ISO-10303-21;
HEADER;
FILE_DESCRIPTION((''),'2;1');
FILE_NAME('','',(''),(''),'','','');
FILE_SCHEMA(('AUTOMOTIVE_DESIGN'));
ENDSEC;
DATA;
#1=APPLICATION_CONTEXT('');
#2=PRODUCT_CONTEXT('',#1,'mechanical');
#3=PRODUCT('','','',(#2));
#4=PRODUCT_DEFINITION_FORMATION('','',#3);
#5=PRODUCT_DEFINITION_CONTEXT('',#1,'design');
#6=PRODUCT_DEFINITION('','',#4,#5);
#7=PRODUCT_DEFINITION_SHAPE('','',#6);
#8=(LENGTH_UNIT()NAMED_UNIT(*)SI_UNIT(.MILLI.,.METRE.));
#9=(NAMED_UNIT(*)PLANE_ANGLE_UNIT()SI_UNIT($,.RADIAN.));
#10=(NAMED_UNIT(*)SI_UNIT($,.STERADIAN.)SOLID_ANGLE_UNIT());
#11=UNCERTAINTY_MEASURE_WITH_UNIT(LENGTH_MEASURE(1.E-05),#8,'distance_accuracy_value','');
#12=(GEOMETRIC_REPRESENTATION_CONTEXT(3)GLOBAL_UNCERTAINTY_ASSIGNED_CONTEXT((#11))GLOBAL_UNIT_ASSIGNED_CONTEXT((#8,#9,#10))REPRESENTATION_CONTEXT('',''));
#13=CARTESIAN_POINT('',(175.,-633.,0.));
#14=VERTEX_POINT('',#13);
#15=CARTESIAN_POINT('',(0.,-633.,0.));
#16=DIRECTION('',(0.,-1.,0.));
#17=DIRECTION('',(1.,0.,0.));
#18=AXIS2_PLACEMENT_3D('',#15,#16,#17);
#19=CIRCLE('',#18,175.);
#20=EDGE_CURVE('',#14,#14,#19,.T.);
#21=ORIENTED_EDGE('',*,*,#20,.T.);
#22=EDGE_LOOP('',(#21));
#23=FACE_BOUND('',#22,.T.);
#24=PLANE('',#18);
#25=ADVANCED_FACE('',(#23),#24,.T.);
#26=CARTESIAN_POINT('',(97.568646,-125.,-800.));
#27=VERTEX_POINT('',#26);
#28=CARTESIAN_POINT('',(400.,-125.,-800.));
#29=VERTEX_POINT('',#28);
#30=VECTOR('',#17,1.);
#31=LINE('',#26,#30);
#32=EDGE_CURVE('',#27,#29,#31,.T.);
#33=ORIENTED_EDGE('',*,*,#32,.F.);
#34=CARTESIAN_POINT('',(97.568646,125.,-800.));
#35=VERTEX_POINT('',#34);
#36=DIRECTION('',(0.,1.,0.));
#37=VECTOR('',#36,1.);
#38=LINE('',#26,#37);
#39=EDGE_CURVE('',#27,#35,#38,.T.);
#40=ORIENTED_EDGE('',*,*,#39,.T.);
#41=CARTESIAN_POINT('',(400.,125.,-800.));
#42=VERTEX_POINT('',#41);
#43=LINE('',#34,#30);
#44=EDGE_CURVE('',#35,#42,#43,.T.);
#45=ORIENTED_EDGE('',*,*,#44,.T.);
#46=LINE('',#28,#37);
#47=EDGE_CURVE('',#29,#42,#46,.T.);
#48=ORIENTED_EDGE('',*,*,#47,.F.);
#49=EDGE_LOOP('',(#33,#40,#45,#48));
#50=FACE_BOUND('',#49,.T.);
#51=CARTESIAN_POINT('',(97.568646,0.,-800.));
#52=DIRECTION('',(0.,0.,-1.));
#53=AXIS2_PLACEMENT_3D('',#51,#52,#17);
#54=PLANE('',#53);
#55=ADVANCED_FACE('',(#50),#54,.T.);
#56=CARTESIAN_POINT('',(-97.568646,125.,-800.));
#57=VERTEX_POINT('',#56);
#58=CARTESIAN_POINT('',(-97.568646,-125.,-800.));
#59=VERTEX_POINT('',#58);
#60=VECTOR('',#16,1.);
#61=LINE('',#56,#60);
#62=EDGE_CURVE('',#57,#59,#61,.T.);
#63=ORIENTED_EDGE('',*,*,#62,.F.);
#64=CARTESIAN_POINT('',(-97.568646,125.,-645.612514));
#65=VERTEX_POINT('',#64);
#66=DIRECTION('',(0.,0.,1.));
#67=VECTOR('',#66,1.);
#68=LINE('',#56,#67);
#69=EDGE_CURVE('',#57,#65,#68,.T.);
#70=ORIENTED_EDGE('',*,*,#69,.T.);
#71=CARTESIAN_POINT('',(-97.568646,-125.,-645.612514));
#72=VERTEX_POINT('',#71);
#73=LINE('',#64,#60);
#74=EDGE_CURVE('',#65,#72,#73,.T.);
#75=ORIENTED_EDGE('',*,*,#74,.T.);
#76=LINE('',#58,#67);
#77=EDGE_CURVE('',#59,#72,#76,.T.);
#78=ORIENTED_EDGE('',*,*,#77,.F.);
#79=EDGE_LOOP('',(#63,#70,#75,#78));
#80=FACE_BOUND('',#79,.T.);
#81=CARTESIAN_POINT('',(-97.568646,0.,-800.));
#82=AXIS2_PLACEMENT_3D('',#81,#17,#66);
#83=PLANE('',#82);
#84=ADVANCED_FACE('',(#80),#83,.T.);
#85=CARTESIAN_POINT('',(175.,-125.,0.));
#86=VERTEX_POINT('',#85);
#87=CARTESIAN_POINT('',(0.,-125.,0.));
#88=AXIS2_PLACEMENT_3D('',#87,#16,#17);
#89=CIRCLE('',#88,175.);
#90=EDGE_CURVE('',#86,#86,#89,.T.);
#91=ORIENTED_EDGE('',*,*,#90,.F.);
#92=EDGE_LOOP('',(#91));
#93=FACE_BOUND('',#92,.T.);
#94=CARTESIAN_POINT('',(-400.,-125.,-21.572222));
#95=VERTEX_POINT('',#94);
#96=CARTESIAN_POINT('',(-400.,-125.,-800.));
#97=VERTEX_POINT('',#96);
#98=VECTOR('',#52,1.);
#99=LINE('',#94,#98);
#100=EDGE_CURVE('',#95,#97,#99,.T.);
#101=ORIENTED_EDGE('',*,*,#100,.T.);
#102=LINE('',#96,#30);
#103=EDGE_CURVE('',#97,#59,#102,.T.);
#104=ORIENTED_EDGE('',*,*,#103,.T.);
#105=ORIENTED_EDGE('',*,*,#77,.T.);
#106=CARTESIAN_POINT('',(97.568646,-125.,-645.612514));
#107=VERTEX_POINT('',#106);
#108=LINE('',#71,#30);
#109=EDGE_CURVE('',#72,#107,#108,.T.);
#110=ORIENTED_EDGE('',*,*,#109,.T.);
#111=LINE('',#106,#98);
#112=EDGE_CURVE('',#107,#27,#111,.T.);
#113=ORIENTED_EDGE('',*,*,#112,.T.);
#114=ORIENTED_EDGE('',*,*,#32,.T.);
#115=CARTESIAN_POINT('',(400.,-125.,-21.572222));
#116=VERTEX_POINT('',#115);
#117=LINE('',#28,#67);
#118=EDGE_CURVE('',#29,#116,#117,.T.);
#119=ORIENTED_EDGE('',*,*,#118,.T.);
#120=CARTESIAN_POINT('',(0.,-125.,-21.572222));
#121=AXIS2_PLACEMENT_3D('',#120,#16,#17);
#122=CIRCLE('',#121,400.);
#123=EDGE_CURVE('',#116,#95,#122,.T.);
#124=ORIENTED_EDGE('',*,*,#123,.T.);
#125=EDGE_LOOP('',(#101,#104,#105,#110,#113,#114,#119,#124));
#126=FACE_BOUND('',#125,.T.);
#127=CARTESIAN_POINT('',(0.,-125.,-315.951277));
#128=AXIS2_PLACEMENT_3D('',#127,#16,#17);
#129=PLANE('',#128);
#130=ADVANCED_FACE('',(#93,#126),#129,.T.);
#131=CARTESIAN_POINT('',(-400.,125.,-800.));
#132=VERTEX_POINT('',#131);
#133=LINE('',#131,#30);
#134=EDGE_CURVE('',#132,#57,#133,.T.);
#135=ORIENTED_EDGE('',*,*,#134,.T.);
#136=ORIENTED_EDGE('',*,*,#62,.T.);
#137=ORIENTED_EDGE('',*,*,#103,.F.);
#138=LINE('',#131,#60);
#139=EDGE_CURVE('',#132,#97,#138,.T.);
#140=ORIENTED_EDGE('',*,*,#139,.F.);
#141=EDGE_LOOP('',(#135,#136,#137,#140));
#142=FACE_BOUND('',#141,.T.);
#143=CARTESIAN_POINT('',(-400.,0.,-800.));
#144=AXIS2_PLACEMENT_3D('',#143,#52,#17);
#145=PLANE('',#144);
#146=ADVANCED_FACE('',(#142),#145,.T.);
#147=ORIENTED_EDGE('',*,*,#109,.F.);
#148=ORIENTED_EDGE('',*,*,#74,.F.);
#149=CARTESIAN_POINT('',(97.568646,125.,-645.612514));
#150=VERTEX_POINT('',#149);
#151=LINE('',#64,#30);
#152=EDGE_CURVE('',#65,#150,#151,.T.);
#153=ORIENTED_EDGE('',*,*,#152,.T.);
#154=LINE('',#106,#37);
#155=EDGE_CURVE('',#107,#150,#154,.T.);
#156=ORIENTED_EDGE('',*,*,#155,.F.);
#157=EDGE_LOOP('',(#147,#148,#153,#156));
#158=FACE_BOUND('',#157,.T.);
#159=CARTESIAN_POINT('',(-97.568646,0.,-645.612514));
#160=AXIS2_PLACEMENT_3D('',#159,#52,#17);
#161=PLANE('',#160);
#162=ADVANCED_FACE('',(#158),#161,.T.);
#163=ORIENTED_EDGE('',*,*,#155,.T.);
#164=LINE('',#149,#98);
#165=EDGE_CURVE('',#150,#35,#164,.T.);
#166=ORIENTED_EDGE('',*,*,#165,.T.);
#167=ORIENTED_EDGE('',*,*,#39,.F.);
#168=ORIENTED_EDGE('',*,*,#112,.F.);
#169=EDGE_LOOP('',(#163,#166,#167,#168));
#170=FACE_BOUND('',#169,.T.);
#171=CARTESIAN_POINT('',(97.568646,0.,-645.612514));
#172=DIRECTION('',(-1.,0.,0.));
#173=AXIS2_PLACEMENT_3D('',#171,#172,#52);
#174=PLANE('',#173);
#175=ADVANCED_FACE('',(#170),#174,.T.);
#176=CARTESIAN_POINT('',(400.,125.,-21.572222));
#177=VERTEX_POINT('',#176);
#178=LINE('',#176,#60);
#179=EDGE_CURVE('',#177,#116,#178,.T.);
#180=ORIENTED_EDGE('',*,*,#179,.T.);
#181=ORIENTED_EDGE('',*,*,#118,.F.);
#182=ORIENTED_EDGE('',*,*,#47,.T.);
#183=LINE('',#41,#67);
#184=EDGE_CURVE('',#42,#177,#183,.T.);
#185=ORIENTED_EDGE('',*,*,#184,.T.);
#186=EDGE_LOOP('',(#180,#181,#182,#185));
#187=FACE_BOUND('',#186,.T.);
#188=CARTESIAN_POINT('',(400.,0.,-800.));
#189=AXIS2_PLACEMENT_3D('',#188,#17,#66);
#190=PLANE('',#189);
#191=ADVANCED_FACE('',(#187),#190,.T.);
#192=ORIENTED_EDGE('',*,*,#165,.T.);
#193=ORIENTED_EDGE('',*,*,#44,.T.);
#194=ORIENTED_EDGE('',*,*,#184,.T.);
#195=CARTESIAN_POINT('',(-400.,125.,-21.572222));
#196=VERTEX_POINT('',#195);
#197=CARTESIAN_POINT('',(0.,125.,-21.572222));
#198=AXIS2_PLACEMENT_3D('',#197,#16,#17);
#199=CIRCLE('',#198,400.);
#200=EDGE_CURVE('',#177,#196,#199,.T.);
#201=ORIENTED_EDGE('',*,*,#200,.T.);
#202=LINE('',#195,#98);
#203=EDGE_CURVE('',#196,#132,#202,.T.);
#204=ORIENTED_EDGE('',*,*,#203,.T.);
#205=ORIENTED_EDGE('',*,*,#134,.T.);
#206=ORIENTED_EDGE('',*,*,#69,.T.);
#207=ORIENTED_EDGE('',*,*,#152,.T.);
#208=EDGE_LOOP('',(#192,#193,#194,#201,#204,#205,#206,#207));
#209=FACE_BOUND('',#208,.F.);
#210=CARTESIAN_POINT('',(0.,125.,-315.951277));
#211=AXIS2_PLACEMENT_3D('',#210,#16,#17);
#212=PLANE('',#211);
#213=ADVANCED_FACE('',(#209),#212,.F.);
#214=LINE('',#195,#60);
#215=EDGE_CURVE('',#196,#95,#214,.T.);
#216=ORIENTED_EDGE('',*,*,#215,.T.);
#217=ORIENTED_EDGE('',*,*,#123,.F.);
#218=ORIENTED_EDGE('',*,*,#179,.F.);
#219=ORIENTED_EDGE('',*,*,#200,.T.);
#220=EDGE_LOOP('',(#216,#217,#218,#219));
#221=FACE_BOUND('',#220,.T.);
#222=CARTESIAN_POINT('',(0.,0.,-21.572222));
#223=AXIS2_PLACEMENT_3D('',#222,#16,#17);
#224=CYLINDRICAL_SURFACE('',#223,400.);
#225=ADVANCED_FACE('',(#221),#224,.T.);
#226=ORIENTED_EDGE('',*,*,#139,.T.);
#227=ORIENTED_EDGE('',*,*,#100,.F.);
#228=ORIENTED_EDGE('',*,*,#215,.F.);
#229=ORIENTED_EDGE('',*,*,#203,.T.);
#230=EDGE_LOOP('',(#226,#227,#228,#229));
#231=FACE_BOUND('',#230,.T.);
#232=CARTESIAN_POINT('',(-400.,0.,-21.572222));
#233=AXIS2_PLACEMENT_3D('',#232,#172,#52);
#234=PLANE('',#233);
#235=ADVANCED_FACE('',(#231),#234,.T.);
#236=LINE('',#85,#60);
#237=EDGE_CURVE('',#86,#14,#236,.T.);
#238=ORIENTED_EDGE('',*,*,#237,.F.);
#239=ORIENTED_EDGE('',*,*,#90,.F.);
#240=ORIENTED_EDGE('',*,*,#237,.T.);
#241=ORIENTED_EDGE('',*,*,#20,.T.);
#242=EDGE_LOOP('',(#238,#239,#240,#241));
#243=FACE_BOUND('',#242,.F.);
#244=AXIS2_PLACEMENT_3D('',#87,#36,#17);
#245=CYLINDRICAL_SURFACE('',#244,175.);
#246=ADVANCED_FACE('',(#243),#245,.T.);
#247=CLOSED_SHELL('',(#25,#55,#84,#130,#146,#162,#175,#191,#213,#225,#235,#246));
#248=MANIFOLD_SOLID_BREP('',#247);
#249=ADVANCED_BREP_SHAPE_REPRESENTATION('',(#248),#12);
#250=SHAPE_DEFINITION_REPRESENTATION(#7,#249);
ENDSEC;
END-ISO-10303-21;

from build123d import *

# Parameters (mm, degrees)
F1_DEPTH = 125
F2_R     = 175
F3_DEPTH = 508


with BuildPart() as f1:
    # F0 (on Front) → F1 (new body, symmetric)
    with BuildSketch(Plane.XZ):
        with BuildLine():
            Line((400, -800), (400, -21.572222))
            ThreePointArc((400, -21.572222), (0, 378.427778), (-400, -21.572222))
            Line((-400, -21.572222), (-400, -800))
            Line((-400, -800), (-97.568646, -800))
            Line((-97.568646, -800), (-97.568646, -645.612514))
            Line((-97.568646, -645.612514), (97.568646, -645.612514))
            Line((97.568646, -645.612514), (97.568646, -800))
            Line((97.568646, -800), (400, -800))
        make_face()
    extrude(amount=F1_DEPTH, both=True)

    # F2 (on face) → F3 (join)
    with BuildSketch(Plane.XZ.offset(125)):
        Circle(F2_R)
    extrude(amount=F3_DEPTH)


solid = f1.part
